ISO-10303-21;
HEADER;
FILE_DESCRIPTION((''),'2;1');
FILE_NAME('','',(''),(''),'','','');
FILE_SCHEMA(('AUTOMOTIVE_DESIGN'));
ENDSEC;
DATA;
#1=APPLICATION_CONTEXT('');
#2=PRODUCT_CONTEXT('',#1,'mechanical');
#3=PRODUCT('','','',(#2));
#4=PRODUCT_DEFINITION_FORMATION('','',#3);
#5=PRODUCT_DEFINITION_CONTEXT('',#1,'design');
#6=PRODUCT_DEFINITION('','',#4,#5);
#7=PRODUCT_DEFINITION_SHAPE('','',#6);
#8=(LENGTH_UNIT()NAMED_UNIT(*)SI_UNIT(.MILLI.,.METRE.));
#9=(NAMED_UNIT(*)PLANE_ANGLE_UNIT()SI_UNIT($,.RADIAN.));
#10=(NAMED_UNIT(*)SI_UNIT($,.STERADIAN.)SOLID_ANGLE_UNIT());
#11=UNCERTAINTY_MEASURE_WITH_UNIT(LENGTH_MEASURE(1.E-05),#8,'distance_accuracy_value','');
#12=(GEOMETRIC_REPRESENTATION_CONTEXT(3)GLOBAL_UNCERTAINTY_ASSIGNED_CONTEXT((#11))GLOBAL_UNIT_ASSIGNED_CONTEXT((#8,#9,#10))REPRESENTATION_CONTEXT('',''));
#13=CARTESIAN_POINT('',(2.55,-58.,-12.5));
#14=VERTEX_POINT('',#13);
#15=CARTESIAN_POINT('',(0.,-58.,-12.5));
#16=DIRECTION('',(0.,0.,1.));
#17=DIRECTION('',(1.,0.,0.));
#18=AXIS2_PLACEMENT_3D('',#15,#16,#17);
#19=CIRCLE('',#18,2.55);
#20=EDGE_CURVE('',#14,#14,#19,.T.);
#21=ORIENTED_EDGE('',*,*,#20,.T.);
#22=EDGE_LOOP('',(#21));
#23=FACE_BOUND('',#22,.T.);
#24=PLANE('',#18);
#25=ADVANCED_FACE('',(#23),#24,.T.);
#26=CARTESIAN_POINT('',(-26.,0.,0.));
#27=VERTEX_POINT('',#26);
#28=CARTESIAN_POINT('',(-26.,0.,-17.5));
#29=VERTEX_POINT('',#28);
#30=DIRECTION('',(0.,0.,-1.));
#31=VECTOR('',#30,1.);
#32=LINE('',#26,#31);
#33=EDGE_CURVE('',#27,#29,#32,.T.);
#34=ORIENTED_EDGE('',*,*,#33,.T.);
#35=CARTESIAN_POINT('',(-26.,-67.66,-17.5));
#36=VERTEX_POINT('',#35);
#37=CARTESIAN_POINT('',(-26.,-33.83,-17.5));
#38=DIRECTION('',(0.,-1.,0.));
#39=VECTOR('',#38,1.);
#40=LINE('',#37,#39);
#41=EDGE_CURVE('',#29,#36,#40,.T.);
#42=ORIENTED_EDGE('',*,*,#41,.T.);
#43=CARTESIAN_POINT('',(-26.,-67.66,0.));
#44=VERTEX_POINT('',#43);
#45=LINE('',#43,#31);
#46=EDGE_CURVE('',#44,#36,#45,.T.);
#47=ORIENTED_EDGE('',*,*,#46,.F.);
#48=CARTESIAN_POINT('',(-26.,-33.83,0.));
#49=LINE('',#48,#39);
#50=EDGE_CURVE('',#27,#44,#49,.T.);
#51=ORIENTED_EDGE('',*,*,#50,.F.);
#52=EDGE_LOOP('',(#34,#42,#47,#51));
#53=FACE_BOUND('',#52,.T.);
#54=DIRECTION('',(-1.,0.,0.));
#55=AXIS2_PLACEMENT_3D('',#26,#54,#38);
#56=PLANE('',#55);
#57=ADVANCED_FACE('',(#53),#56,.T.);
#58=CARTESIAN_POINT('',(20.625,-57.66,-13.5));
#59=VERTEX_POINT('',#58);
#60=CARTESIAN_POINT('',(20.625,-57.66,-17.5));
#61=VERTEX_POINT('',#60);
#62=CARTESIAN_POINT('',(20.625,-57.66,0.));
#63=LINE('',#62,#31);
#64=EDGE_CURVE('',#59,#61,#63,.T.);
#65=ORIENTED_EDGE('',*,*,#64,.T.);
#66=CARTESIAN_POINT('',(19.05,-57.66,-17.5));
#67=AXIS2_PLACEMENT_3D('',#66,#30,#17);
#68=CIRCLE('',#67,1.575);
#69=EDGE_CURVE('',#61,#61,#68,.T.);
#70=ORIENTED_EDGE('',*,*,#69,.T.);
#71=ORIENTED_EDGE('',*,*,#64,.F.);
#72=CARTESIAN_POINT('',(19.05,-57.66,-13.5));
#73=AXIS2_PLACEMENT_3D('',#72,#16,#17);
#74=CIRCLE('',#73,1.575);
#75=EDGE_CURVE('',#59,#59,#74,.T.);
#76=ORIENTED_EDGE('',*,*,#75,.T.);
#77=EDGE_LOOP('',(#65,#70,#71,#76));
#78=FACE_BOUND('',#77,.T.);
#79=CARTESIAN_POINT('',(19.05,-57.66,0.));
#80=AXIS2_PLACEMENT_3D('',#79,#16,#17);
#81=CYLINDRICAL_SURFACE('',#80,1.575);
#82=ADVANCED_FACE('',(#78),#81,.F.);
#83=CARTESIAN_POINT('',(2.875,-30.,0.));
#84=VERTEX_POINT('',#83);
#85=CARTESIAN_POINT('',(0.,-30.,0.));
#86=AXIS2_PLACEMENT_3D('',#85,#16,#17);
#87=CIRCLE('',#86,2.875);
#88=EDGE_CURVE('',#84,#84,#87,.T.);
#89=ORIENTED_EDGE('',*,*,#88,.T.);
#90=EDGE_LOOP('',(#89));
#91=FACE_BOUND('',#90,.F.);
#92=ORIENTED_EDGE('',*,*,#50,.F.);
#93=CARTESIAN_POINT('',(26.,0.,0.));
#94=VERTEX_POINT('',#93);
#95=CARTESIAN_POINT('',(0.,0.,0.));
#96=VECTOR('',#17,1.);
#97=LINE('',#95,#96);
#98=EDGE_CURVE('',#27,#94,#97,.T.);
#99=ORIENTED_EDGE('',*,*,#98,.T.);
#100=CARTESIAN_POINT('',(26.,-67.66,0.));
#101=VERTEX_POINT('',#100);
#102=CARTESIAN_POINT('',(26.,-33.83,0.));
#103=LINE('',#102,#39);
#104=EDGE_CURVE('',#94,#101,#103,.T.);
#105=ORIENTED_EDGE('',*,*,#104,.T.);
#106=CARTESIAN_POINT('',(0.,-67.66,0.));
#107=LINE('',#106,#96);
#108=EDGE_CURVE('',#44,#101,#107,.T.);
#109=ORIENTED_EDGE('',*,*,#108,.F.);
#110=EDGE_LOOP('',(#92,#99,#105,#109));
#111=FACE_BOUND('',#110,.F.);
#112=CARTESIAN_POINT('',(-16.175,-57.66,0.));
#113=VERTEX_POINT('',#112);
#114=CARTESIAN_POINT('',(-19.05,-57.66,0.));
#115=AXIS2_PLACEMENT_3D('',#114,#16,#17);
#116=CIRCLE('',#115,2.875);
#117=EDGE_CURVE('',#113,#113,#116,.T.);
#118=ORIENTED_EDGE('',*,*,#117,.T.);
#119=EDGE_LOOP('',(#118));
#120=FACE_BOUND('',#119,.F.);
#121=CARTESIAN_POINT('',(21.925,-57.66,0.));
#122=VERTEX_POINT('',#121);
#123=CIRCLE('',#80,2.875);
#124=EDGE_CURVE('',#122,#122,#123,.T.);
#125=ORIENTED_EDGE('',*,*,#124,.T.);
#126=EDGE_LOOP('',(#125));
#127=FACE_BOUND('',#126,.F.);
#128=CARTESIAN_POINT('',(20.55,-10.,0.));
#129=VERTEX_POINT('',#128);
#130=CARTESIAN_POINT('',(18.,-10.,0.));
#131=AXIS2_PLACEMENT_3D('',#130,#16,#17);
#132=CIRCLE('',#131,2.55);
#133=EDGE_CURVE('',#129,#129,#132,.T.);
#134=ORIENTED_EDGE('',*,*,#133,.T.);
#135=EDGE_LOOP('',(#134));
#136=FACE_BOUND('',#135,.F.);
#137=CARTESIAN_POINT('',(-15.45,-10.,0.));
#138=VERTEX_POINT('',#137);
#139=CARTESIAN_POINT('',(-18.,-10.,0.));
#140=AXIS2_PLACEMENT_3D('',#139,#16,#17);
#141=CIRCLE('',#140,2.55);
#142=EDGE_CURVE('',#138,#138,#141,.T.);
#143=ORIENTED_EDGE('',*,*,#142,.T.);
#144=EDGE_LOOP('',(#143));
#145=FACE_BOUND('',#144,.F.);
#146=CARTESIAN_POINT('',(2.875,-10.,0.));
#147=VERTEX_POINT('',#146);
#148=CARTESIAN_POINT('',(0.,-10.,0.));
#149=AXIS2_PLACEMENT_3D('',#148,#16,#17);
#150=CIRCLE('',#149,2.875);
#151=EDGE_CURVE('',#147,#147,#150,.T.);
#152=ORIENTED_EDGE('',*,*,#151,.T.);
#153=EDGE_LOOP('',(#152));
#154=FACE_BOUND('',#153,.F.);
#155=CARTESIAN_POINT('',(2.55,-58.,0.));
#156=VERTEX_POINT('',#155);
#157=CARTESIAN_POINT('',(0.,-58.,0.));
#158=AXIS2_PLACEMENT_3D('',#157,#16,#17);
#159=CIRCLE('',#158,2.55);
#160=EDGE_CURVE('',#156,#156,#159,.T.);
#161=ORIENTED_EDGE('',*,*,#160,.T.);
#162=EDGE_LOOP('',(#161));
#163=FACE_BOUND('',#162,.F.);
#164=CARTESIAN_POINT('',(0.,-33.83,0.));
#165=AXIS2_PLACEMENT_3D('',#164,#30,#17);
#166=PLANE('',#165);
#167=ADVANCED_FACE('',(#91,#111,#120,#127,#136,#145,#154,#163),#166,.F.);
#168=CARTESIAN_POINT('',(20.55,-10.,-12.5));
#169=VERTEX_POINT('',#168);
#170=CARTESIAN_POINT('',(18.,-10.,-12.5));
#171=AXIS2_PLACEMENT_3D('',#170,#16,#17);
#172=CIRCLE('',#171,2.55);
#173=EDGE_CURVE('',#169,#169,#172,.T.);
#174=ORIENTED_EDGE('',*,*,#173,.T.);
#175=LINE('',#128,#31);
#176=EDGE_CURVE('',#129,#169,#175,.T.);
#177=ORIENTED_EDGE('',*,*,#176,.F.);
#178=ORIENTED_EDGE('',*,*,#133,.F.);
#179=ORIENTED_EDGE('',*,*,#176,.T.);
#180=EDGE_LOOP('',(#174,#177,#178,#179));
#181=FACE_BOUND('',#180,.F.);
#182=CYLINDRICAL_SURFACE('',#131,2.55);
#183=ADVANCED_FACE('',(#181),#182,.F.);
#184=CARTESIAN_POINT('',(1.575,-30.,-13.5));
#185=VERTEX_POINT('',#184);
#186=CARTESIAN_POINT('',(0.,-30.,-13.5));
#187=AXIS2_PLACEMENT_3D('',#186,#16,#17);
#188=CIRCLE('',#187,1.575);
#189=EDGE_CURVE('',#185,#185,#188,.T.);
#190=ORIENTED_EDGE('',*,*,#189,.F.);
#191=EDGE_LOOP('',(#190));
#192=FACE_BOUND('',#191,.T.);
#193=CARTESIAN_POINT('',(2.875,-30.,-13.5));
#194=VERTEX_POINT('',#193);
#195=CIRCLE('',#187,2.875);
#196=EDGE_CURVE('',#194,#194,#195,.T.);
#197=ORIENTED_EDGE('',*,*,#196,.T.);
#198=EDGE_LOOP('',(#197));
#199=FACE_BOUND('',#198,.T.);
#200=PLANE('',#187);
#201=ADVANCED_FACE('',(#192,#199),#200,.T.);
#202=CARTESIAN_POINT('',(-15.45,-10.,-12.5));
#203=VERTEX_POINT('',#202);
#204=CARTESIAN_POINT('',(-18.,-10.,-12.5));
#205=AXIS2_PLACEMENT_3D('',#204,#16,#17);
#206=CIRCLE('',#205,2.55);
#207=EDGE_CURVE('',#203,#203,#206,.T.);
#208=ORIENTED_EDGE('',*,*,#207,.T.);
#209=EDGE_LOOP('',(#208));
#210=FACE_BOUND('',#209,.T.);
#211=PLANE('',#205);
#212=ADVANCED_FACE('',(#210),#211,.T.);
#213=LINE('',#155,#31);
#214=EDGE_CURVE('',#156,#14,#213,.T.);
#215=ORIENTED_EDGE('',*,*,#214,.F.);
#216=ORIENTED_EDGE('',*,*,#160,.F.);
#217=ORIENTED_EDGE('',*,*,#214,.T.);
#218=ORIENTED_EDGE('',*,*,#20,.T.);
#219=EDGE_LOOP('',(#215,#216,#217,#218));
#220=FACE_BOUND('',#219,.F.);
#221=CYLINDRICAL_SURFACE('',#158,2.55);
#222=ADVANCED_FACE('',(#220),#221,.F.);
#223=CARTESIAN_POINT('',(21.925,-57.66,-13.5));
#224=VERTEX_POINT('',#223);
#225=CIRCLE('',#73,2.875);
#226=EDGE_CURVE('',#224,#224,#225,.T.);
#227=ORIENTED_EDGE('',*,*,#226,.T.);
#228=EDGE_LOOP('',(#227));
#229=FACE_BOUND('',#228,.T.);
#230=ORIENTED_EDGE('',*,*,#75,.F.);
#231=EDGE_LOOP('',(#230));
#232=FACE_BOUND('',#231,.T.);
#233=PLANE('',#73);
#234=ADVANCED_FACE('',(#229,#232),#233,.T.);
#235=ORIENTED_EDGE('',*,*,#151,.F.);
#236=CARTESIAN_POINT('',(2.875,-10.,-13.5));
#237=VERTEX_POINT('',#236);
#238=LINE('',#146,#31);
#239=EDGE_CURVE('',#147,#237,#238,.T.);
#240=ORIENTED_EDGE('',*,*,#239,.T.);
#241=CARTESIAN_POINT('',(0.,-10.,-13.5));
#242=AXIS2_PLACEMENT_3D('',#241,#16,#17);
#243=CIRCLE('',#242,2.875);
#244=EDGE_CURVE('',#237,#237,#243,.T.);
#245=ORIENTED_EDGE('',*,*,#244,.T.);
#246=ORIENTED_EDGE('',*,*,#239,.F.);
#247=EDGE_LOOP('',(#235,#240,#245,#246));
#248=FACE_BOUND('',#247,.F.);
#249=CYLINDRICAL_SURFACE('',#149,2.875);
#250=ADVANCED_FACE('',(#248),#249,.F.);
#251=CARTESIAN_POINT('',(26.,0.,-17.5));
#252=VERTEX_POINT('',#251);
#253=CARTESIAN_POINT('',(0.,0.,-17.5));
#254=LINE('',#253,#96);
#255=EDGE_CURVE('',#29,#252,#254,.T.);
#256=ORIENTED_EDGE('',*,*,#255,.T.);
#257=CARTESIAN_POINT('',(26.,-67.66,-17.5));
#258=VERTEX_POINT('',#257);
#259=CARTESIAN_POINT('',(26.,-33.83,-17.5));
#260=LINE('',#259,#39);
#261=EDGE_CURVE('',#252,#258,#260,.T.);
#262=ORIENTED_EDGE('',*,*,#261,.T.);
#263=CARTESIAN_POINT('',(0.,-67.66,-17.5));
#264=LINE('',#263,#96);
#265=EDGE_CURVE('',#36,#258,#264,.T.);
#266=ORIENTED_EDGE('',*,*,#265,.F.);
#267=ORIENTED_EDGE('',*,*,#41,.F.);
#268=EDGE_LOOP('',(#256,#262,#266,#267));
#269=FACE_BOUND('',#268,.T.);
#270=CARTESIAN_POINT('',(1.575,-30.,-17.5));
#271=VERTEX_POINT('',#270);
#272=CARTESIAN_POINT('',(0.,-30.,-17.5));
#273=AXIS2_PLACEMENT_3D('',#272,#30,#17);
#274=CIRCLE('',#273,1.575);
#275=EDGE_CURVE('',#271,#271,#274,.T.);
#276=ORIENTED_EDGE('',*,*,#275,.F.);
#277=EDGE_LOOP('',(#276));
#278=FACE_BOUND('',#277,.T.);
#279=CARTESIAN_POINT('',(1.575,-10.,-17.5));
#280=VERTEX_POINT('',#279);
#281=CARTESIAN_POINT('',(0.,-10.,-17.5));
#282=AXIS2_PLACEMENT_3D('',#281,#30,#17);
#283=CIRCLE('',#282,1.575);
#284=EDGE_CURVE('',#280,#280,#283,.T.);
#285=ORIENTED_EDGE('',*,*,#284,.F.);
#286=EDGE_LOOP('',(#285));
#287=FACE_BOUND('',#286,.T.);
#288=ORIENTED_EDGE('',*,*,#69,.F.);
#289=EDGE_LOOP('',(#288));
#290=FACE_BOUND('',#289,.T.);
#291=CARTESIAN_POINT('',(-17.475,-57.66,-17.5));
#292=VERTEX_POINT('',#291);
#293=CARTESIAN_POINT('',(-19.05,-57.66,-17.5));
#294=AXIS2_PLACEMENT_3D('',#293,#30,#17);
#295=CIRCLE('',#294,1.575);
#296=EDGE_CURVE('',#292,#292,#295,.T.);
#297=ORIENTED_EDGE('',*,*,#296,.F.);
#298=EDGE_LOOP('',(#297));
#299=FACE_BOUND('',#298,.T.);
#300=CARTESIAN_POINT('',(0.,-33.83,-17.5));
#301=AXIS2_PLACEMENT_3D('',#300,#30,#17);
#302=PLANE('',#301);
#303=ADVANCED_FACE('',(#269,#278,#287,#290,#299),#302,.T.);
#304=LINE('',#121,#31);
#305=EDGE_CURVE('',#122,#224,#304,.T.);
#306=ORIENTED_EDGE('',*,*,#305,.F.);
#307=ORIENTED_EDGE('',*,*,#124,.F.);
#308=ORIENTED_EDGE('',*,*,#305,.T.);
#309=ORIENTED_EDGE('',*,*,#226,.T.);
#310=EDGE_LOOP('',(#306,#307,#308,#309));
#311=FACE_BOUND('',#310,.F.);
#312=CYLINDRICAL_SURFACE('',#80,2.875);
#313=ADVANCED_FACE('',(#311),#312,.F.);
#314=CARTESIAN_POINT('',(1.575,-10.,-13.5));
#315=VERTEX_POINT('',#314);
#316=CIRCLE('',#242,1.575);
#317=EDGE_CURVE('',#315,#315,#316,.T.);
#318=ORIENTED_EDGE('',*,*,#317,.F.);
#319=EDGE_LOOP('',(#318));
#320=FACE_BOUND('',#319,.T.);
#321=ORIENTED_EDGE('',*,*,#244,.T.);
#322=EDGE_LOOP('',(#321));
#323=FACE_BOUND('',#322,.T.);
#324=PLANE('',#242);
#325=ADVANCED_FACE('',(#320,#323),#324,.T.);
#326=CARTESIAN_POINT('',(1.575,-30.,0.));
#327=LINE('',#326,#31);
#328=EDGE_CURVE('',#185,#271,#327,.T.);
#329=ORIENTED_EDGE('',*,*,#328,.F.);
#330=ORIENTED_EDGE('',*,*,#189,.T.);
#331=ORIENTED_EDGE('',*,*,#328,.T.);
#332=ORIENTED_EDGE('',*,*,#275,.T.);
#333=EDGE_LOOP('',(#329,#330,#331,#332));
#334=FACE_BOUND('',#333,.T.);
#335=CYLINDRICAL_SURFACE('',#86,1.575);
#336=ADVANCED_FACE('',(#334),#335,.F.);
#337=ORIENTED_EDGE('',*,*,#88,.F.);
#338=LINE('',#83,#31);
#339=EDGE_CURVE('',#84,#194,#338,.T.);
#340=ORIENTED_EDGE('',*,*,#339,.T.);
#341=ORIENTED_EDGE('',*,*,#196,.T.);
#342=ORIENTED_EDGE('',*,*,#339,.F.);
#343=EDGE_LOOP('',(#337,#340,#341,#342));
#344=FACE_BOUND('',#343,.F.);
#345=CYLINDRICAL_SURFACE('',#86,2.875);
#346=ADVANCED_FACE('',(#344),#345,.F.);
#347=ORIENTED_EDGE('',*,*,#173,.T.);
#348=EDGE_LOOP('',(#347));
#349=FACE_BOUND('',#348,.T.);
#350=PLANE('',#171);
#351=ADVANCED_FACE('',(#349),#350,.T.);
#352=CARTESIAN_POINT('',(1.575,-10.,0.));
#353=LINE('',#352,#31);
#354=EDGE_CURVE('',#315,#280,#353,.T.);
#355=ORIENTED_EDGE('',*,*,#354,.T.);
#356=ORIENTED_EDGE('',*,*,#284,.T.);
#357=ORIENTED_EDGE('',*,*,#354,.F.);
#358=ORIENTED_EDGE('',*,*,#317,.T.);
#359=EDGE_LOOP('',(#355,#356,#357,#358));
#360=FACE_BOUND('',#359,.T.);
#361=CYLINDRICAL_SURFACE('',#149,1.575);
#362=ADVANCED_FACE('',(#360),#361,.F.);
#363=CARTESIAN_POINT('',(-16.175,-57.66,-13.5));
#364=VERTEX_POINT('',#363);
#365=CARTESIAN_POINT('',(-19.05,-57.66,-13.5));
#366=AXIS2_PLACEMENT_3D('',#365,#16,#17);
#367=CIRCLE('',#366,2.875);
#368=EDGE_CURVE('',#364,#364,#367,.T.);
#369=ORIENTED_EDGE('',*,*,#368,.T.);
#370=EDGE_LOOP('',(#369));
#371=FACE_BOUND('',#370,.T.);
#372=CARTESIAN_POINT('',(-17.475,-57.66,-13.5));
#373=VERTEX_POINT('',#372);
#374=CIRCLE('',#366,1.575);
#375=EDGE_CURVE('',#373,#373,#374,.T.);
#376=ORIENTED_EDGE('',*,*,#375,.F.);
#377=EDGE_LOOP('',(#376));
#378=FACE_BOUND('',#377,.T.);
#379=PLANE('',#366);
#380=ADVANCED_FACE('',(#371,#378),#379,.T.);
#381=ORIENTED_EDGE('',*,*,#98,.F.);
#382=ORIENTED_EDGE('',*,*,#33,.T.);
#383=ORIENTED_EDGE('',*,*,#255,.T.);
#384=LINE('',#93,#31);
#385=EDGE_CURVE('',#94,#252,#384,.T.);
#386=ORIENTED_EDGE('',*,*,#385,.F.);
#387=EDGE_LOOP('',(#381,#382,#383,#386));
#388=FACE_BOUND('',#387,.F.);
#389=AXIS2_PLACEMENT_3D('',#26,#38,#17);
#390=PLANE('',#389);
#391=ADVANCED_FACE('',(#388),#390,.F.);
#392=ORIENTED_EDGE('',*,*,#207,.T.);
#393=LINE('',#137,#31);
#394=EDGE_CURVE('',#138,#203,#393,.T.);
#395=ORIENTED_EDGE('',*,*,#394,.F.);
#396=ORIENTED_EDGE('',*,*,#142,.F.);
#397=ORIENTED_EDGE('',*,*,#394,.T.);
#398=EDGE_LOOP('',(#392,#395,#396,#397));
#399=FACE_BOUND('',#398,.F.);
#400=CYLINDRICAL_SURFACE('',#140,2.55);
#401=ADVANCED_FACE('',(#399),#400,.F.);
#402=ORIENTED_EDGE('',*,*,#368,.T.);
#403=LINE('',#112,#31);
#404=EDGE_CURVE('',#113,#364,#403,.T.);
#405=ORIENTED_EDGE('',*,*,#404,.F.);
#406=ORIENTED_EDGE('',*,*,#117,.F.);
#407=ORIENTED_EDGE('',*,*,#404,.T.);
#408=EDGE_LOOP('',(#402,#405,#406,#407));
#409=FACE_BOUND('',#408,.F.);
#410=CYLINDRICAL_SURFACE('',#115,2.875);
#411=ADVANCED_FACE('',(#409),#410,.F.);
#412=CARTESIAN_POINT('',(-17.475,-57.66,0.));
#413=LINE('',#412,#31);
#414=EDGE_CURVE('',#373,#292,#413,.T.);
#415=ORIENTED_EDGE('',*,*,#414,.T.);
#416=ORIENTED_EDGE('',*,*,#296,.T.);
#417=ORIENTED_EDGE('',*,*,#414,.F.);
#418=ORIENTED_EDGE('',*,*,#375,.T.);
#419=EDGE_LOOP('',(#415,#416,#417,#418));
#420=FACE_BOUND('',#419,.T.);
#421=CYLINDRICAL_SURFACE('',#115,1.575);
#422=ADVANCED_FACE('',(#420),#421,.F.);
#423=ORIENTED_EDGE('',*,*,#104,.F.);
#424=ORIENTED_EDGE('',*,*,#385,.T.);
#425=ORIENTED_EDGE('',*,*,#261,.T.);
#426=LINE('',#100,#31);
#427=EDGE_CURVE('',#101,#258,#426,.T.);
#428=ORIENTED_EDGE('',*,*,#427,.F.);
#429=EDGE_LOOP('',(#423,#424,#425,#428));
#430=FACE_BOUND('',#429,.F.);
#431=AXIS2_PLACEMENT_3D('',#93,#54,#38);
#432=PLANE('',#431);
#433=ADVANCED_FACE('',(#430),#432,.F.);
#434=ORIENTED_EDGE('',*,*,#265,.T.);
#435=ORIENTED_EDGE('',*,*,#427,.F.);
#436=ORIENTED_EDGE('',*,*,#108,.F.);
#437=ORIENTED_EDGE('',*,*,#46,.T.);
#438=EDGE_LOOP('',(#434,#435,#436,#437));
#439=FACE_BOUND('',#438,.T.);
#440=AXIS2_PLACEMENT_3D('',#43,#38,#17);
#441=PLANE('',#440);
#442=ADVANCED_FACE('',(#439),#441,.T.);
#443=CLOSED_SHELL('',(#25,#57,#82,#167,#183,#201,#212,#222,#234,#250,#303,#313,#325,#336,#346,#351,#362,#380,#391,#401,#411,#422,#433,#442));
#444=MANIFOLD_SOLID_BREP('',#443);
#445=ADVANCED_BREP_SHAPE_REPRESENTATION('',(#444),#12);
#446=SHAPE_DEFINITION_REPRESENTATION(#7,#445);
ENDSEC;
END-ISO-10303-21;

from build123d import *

# Parameters (mm, degrees)
F1_W     = 52
F1_H     = 67.66
F2_DEPTH = 17.5
F0_R     = 1.575
F3_DEPTH = 17.5
F4_R     = 2.875
F5_DEPTH = 13.5
F6_R     = 2.55
F7_DEPTH = 12.5
F8_ANGLE = 180
F9_ANGLE = 180


with BuildPart() as f2:
    # F1 (on Top) → F2 (new body)
    with BuildSketch(Plane.XY):
        with Locations((0, 3.83)):
            Rectangle(F1_W, F1_H)
    extrude(amount=F2_DEPTH)

    # F0 (on Top) → F3 (cut)
    with BuildSketch(Plane.XY):
        Circle(F0_R)
        with Locations((0, -20)):
            Circle(F0_R)
        with Locations((-19.05, 27.66)):
            Circle(F0_R)
        with Locations((19.05, 27.66)):
            Circle(F0_R)
    extrude(amount=F3_DEPTH, mode=Mode.SUBTRACT)

    # F4 (on face) → F5 (cut)
    with BuildSketch(Plane(origin=(0, 0, 0), x_dir=(1, 0, 0), z_dir=(0, 0, -1))):
        Circle(F4_R)
        with Locations((19.05, -27.66)):
            Circle(F4_R)
        with Locations((-19.05, -27.66)):
            Circle(F4_R)
        with Locations((0, 20)):
            Circle(F4_R)
    extrude(amount=-F5_DEPTH, mode=Mode.SUBTRACT)

    # F6 (on face) → F7 (cut)
    with BuildSketch(Plane(origin=(0, 0, 0), x_dir=(1, 0, 0), z_dir=(0, 0, -1))):
        with Locations((0, -28)):
            Circle(F6_R)
        with Locations((-18, 20)):
            Circle(F6_R)
        with Locations((18, 20)):
            Circle(F6_R)
    extrude(amount=-F7_DEPTH, mode=Mode.SUBTRACT)


with BuildPart() as f2_1:
    # F8: moved
    add(f2.part.rotate(Axis((-26, 3.83, 17.5), (0, 1, 0)), F8_ANGLE))


with BuildPart() as f2_2:
    # F9: moved
    add(f2_1.part.rotate(Axis((-26, 37.66, 26.25), (0, 0, 1)), F9_ANGLE))


with BuildPart() as f2_3:
    # F11: moved
    add(f2_2.part.moved(Location((0, -105.32, -35))))


solid = f2_3.part
